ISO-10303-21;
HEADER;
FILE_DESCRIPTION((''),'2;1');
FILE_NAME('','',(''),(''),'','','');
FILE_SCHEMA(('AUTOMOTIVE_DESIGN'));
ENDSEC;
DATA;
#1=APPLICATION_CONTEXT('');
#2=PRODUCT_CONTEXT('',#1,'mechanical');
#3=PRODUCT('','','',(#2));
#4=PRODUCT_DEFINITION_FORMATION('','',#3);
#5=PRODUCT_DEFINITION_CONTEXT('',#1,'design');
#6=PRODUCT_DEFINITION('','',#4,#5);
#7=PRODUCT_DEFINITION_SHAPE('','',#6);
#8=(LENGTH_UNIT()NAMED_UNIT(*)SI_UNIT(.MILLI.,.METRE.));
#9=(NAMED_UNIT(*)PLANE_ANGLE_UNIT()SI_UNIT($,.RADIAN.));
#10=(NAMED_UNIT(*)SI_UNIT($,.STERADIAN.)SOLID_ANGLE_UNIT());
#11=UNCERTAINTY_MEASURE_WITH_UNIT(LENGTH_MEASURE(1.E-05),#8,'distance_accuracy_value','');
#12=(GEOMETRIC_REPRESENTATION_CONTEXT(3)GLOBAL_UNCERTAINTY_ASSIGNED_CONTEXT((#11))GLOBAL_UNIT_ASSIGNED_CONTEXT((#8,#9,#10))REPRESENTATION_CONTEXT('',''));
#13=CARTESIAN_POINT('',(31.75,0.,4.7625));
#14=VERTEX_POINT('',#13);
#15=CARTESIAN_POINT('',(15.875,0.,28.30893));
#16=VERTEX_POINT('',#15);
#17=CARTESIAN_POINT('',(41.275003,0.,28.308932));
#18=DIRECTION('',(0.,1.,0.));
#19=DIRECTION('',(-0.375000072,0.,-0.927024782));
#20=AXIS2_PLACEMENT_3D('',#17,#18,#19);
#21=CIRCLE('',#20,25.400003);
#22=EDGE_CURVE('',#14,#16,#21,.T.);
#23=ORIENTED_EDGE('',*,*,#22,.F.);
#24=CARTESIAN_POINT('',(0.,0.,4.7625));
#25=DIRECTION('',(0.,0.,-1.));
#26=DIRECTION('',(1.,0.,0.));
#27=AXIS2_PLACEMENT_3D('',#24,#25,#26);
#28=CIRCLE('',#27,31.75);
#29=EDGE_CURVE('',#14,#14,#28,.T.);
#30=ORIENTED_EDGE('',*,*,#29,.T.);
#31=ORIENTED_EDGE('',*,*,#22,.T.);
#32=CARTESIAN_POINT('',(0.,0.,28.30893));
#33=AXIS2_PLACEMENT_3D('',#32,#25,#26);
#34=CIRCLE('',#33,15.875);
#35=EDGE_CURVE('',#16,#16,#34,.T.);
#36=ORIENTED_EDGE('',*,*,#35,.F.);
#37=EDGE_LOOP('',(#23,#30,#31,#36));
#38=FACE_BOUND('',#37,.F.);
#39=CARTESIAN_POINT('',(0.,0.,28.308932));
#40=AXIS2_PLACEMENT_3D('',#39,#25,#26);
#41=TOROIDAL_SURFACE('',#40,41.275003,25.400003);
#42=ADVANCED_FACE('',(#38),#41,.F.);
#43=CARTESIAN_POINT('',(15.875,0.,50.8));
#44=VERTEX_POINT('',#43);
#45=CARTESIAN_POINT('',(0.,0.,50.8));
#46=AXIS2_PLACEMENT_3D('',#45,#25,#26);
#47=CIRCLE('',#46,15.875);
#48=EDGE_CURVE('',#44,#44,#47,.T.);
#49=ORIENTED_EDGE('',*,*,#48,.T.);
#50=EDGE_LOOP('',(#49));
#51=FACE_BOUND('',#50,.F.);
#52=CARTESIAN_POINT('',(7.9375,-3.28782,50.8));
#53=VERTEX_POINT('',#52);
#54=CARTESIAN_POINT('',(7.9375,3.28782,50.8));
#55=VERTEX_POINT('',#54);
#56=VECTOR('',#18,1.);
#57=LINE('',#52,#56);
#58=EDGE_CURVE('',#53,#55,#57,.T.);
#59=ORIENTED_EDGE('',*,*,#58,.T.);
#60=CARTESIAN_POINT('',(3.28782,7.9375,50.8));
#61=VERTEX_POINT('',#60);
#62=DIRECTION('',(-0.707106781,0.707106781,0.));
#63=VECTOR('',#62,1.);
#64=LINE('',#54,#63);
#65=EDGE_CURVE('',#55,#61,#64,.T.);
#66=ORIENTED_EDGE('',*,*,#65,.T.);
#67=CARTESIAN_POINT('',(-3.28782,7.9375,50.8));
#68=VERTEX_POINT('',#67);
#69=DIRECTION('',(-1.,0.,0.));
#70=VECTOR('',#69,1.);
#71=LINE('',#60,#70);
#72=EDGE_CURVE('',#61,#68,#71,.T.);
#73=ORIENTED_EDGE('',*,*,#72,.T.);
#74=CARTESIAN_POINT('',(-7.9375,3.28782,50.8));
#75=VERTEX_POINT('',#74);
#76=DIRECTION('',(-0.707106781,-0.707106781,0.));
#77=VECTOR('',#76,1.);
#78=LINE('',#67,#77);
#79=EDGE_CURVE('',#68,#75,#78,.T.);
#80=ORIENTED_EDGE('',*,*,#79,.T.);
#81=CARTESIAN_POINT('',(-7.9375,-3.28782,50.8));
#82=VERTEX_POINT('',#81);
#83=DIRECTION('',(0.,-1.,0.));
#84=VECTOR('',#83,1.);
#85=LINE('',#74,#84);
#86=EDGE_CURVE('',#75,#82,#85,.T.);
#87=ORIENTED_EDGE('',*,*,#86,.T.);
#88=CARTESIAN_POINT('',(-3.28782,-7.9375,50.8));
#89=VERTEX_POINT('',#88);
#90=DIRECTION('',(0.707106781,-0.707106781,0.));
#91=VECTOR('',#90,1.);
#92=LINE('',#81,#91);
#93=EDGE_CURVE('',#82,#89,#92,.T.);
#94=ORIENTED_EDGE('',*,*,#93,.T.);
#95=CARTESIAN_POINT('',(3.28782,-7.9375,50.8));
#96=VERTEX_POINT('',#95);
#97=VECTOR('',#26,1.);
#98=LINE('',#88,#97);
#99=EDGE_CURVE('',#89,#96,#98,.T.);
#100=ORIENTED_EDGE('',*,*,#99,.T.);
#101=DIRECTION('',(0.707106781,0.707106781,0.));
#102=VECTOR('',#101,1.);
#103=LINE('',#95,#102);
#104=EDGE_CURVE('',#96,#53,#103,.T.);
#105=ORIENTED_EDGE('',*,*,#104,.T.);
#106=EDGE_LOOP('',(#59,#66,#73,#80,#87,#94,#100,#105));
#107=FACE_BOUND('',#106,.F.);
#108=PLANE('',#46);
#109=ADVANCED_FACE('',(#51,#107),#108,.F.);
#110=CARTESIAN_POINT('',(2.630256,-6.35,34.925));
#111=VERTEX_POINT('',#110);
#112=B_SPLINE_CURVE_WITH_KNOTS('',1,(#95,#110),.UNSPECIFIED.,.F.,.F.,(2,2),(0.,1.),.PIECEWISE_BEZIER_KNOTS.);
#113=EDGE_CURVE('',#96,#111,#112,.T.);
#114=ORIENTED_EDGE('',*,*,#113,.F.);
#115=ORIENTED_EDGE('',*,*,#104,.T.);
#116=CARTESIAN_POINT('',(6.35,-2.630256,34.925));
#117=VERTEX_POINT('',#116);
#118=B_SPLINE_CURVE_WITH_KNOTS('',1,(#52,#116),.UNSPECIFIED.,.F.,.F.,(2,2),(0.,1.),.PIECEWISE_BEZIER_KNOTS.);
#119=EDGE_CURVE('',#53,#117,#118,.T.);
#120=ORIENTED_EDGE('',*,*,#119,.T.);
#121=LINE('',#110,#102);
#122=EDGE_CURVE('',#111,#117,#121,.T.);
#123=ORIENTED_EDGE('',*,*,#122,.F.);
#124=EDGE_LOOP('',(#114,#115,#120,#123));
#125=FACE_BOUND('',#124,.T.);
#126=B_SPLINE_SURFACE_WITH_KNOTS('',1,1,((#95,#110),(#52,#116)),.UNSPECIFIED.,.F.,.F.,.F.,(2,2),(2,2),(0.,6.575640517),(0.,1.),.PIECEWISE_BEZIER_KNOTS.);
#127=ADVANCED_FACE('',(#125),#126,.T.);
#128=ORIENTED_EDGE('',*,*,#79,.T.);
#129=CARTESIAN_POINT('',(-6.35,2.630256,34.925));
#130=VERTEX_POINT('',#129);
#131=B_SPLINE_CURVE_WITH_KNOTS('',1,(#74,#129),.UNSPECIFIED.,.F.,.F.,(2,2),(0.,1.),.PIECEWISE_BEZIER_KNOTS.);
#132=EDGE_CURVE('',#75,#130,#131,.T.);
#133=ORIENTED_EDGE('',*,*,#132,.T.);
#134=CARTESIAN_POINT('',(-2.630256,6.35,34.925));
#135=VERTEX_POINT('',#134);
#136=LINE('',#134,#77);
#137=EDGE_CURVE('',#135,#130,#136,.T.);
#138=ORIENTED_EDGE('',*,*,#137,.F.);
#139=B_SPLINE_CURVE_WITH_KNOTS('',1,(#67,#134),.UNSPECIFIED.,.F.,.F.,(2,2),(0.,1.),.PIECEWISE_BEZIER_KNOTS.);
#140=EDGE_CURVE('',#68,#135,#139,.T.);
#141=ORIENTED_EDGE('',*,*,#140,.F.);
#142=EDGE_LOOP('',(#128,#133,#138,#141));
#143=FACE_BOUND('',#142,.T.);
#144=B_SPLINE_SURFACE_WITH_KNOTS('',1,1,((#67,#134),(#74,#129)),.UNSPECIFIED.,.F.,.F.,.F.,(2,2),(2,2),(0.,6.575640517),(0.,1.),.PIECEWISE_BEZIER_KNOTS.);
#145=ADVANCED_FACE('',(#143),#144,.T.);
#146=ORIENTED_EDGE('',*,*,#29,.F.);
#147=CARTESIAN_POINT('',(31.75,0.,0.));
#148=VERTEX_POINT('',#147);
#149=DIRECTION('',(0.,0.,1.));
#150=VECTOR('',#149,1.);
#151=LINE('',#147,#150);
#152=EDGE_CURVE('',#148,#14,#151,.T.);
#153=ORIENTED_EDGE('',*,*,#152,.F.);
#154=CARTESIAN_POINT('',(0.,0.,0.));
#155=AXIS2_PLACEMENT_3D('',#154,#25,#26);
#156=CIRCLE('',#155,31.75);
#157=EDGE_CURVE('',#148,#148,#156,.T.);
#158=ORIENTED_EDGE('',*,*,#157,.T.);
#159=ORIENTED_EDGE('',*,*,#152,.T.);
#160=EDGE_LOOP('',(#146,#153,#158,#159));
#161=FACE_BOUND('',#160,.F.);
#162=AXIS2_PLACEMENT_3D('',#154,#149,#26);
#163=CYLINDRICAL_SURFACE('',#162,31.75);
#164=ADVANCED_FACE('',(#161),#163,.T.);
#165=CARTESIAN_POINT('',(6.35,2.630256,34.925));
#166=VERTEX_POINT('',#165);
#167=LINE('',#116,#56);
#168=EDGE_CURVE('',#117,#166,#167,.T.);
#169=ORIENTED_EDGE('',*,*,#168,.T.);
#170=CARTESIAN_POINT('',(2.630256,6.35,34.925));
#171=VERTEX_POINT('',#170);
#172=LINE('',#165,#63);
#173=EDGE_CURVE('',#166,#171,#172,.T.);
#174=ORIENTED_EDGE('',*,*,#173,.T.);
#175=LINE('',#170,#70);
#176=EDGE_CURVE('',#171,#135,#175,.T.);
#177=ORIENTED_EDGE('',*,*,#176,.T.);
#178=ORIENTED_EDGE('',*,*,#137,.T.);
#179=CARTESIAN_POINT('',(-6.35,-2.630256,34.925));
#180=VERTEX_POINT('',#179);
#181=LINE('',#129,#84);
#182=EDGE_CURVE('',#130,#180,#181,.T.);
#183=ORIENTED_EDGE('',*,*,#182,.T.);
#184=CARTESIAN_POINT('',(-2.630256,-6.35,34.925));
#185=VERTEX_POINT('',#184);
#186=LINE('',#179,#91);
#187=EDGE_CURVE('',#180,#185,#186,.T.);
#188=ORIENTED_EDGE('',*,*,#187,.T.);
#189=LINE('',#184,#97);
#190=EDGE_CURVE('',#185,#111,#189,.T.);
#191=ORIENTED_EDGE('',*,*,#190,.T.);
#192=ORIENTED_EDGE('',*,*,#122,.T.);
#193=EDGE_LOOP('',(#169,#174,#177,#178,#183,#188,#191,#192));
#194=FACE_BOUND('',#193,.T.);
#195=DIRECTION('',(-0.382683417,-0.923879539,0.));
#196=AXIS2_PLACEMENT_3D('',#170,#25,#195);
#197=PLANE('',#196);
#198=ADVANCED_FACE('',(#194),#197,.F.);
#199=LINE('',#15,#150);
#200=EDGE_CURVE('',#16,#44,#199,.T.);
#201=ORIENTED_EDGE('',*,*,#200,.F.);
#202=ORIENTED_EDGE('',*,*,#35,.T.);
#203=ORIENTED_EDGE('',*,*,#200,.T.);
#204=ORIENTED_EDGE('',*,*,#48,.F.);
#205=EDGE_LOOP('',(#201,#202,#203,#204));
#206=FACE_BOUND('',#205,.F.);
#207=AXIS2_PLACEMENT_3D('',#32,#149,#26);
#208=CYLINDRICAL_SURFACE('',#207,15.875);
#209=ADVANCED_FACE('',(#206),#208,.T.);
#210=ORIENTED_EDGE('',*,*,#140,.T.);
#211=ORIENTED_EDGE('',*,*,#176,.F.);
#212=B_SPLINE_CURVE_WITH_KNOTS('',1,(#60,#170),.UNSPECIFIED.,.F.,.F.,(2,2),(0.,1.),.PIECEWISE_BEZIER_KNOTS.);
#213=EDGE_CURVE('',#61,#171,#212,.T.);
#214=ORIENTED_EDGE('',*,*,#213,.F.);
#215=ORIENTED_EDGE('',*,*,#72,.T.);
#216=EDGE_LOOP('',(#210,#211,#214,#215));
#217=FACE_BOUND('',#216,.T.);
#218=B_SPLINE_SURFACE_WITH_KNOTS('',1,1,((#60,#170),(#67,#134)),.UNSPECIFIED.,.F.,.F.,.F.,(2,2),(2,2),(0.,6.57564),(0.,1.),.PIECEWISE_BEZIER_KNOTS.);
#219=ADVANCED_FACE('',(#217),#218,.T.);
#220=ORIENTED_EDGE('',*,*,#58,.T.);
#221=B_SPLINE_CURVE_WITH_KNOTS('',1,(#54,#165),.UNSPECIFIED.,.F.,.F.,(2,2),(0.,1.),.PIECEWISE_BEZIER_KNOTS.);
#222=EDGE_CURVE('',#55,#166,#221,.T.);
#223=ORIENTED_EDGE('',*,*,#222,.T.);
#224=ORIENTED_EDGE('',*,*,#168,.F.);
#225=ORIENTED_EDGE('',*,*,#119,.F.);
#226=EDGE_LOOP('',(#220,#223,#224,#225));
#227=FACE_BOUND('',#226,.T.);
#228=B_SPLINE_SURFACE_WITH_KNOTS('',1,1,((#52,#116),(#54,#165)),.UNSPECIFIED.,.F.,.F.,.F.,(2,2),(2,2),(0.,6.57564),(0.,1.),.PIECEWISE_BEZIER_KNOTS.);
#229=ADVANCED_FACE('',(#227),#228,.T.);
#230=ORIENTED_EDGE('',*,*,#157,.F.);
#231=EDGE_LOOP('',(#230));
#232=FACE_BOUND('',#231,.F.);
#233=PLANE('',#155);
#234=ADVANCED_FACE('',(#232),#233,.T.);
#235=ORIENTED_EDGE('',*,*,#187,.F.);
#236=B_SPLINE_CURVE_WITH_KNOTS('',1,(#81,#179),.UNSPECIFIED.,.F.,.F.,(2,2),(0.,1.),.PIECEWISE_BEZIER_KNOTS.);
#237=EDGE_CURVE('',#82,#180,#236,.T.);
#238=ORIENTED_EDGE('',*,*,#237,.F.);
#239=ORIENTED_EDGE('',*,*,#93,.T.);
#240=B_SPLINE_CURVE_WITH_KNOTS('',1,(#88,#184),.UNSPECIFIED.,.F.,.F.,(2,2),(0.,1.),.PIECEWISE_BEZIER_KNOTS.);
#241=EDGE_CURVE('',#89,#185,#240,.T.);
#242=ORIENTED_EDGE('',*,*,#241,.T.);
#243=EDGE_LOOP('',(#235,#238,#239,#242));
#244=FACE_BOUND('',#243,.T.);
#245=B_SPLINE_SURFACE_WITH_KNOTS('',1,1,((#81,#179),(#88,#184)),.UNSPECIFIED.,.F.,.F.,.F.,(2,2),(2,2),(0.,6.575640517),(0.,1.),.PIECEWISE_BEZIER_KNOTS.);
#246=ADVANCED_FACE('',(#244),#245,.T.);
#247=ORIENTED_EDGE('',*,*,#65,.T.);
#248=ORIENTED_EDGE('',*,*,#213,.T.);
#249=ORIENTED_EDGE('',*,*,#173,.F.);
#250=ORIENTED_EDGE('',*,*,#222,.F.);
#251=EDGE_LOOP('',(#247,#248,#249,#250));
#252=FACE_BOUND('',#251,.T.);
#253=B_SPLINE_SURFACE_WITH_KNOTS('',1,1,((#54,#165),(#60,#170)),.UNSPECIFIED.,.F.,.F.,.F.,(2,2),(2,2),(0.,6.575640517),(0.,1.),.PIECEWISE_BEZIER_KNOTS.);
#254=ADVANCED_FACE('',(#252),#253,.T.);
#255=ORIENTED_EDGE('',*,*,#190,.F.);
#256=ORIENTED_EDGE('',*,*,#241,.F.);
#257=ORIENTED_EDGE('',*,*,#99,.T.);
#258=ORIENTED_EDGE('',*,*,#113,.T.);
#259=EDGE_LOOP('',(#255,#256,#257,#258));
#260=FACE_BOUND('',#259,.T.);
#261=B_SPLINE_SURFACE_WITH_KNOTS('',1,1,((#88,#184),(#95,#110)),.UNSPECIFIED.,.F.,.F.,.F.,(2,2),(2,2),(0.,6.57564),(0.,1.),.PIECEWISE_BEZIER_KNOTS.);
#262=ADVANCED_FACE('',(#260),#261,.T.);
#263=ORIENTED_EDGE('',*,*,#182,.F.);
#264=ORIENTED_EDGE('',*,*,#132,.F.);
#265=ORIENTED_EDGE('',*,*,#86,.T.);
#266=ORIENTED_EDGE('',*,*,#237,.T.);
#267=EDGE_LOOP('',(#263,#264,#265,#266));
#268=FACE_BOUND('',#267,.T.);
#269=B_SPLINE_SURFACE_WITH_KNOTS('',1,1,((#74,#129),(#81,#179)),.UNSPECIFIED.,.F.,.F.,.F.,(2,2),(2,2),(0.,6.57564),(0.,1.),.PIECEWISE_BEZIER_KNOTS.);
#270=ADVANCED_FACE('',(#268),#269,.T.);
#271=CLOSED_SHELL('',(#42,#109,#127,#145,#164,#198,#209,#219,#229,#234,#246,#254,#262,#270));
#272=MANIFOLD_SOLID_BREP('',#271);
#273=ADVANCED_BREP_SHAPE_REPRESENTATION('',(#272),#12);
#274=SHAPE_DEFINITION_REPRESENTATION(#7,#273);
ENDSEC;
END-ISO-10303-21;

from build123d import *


with BuildPart() as f1:
    # F0 (on Front) → F1 (revolve)
    with BuildSketch(Plane.XZ):
        with BuildLine():
            Line((0, 50.8), (0, 0))
            Line((0, 0), (31.75, 0))
            Line((31.75, 0), (31.75, 4.7625))
            ThreePointArc((31.75, 4.7625), (20.214433, 14.109899), (15.875, 28.30893))
            Line((15.875, 28.30893), (15.875, 50.8))
            Line((15.875, 50.8), (0, 50.8))
        make_face()
    revolve(axis=Axis((0, 0, 25.4), (0, 0, -1)))

    # F2 (on face) → F5 section 0
    with BuildSketch(Plane.XY.offset(50.8)):
        Polygon((3.28782, 7.9375), (-3.28782, 7.9375), (-7.9375, 3.28782), (-7.9375, -3.28782), (-3.28782, -7.9375), (3.28782, -7.9375), (7.9375, -3.28782), (7.9375, 3.28782), align=None)
    # F4 (on offset) → F5 section 1
    with BuildSketch(Plane.XY.offset(34.925)):
        Polygon((2.630256, 6.35), (-2.630256, 6.35), (-6.35, 2.630256), (-6.35, -2.630256), (-2.630256, -6.35), (2.630256, -6.35), (6.35, -2.630256), (6.35, 2.630256), align=None)
    loft(mode=Mode.SUBTRACT)


solid = f1.part
